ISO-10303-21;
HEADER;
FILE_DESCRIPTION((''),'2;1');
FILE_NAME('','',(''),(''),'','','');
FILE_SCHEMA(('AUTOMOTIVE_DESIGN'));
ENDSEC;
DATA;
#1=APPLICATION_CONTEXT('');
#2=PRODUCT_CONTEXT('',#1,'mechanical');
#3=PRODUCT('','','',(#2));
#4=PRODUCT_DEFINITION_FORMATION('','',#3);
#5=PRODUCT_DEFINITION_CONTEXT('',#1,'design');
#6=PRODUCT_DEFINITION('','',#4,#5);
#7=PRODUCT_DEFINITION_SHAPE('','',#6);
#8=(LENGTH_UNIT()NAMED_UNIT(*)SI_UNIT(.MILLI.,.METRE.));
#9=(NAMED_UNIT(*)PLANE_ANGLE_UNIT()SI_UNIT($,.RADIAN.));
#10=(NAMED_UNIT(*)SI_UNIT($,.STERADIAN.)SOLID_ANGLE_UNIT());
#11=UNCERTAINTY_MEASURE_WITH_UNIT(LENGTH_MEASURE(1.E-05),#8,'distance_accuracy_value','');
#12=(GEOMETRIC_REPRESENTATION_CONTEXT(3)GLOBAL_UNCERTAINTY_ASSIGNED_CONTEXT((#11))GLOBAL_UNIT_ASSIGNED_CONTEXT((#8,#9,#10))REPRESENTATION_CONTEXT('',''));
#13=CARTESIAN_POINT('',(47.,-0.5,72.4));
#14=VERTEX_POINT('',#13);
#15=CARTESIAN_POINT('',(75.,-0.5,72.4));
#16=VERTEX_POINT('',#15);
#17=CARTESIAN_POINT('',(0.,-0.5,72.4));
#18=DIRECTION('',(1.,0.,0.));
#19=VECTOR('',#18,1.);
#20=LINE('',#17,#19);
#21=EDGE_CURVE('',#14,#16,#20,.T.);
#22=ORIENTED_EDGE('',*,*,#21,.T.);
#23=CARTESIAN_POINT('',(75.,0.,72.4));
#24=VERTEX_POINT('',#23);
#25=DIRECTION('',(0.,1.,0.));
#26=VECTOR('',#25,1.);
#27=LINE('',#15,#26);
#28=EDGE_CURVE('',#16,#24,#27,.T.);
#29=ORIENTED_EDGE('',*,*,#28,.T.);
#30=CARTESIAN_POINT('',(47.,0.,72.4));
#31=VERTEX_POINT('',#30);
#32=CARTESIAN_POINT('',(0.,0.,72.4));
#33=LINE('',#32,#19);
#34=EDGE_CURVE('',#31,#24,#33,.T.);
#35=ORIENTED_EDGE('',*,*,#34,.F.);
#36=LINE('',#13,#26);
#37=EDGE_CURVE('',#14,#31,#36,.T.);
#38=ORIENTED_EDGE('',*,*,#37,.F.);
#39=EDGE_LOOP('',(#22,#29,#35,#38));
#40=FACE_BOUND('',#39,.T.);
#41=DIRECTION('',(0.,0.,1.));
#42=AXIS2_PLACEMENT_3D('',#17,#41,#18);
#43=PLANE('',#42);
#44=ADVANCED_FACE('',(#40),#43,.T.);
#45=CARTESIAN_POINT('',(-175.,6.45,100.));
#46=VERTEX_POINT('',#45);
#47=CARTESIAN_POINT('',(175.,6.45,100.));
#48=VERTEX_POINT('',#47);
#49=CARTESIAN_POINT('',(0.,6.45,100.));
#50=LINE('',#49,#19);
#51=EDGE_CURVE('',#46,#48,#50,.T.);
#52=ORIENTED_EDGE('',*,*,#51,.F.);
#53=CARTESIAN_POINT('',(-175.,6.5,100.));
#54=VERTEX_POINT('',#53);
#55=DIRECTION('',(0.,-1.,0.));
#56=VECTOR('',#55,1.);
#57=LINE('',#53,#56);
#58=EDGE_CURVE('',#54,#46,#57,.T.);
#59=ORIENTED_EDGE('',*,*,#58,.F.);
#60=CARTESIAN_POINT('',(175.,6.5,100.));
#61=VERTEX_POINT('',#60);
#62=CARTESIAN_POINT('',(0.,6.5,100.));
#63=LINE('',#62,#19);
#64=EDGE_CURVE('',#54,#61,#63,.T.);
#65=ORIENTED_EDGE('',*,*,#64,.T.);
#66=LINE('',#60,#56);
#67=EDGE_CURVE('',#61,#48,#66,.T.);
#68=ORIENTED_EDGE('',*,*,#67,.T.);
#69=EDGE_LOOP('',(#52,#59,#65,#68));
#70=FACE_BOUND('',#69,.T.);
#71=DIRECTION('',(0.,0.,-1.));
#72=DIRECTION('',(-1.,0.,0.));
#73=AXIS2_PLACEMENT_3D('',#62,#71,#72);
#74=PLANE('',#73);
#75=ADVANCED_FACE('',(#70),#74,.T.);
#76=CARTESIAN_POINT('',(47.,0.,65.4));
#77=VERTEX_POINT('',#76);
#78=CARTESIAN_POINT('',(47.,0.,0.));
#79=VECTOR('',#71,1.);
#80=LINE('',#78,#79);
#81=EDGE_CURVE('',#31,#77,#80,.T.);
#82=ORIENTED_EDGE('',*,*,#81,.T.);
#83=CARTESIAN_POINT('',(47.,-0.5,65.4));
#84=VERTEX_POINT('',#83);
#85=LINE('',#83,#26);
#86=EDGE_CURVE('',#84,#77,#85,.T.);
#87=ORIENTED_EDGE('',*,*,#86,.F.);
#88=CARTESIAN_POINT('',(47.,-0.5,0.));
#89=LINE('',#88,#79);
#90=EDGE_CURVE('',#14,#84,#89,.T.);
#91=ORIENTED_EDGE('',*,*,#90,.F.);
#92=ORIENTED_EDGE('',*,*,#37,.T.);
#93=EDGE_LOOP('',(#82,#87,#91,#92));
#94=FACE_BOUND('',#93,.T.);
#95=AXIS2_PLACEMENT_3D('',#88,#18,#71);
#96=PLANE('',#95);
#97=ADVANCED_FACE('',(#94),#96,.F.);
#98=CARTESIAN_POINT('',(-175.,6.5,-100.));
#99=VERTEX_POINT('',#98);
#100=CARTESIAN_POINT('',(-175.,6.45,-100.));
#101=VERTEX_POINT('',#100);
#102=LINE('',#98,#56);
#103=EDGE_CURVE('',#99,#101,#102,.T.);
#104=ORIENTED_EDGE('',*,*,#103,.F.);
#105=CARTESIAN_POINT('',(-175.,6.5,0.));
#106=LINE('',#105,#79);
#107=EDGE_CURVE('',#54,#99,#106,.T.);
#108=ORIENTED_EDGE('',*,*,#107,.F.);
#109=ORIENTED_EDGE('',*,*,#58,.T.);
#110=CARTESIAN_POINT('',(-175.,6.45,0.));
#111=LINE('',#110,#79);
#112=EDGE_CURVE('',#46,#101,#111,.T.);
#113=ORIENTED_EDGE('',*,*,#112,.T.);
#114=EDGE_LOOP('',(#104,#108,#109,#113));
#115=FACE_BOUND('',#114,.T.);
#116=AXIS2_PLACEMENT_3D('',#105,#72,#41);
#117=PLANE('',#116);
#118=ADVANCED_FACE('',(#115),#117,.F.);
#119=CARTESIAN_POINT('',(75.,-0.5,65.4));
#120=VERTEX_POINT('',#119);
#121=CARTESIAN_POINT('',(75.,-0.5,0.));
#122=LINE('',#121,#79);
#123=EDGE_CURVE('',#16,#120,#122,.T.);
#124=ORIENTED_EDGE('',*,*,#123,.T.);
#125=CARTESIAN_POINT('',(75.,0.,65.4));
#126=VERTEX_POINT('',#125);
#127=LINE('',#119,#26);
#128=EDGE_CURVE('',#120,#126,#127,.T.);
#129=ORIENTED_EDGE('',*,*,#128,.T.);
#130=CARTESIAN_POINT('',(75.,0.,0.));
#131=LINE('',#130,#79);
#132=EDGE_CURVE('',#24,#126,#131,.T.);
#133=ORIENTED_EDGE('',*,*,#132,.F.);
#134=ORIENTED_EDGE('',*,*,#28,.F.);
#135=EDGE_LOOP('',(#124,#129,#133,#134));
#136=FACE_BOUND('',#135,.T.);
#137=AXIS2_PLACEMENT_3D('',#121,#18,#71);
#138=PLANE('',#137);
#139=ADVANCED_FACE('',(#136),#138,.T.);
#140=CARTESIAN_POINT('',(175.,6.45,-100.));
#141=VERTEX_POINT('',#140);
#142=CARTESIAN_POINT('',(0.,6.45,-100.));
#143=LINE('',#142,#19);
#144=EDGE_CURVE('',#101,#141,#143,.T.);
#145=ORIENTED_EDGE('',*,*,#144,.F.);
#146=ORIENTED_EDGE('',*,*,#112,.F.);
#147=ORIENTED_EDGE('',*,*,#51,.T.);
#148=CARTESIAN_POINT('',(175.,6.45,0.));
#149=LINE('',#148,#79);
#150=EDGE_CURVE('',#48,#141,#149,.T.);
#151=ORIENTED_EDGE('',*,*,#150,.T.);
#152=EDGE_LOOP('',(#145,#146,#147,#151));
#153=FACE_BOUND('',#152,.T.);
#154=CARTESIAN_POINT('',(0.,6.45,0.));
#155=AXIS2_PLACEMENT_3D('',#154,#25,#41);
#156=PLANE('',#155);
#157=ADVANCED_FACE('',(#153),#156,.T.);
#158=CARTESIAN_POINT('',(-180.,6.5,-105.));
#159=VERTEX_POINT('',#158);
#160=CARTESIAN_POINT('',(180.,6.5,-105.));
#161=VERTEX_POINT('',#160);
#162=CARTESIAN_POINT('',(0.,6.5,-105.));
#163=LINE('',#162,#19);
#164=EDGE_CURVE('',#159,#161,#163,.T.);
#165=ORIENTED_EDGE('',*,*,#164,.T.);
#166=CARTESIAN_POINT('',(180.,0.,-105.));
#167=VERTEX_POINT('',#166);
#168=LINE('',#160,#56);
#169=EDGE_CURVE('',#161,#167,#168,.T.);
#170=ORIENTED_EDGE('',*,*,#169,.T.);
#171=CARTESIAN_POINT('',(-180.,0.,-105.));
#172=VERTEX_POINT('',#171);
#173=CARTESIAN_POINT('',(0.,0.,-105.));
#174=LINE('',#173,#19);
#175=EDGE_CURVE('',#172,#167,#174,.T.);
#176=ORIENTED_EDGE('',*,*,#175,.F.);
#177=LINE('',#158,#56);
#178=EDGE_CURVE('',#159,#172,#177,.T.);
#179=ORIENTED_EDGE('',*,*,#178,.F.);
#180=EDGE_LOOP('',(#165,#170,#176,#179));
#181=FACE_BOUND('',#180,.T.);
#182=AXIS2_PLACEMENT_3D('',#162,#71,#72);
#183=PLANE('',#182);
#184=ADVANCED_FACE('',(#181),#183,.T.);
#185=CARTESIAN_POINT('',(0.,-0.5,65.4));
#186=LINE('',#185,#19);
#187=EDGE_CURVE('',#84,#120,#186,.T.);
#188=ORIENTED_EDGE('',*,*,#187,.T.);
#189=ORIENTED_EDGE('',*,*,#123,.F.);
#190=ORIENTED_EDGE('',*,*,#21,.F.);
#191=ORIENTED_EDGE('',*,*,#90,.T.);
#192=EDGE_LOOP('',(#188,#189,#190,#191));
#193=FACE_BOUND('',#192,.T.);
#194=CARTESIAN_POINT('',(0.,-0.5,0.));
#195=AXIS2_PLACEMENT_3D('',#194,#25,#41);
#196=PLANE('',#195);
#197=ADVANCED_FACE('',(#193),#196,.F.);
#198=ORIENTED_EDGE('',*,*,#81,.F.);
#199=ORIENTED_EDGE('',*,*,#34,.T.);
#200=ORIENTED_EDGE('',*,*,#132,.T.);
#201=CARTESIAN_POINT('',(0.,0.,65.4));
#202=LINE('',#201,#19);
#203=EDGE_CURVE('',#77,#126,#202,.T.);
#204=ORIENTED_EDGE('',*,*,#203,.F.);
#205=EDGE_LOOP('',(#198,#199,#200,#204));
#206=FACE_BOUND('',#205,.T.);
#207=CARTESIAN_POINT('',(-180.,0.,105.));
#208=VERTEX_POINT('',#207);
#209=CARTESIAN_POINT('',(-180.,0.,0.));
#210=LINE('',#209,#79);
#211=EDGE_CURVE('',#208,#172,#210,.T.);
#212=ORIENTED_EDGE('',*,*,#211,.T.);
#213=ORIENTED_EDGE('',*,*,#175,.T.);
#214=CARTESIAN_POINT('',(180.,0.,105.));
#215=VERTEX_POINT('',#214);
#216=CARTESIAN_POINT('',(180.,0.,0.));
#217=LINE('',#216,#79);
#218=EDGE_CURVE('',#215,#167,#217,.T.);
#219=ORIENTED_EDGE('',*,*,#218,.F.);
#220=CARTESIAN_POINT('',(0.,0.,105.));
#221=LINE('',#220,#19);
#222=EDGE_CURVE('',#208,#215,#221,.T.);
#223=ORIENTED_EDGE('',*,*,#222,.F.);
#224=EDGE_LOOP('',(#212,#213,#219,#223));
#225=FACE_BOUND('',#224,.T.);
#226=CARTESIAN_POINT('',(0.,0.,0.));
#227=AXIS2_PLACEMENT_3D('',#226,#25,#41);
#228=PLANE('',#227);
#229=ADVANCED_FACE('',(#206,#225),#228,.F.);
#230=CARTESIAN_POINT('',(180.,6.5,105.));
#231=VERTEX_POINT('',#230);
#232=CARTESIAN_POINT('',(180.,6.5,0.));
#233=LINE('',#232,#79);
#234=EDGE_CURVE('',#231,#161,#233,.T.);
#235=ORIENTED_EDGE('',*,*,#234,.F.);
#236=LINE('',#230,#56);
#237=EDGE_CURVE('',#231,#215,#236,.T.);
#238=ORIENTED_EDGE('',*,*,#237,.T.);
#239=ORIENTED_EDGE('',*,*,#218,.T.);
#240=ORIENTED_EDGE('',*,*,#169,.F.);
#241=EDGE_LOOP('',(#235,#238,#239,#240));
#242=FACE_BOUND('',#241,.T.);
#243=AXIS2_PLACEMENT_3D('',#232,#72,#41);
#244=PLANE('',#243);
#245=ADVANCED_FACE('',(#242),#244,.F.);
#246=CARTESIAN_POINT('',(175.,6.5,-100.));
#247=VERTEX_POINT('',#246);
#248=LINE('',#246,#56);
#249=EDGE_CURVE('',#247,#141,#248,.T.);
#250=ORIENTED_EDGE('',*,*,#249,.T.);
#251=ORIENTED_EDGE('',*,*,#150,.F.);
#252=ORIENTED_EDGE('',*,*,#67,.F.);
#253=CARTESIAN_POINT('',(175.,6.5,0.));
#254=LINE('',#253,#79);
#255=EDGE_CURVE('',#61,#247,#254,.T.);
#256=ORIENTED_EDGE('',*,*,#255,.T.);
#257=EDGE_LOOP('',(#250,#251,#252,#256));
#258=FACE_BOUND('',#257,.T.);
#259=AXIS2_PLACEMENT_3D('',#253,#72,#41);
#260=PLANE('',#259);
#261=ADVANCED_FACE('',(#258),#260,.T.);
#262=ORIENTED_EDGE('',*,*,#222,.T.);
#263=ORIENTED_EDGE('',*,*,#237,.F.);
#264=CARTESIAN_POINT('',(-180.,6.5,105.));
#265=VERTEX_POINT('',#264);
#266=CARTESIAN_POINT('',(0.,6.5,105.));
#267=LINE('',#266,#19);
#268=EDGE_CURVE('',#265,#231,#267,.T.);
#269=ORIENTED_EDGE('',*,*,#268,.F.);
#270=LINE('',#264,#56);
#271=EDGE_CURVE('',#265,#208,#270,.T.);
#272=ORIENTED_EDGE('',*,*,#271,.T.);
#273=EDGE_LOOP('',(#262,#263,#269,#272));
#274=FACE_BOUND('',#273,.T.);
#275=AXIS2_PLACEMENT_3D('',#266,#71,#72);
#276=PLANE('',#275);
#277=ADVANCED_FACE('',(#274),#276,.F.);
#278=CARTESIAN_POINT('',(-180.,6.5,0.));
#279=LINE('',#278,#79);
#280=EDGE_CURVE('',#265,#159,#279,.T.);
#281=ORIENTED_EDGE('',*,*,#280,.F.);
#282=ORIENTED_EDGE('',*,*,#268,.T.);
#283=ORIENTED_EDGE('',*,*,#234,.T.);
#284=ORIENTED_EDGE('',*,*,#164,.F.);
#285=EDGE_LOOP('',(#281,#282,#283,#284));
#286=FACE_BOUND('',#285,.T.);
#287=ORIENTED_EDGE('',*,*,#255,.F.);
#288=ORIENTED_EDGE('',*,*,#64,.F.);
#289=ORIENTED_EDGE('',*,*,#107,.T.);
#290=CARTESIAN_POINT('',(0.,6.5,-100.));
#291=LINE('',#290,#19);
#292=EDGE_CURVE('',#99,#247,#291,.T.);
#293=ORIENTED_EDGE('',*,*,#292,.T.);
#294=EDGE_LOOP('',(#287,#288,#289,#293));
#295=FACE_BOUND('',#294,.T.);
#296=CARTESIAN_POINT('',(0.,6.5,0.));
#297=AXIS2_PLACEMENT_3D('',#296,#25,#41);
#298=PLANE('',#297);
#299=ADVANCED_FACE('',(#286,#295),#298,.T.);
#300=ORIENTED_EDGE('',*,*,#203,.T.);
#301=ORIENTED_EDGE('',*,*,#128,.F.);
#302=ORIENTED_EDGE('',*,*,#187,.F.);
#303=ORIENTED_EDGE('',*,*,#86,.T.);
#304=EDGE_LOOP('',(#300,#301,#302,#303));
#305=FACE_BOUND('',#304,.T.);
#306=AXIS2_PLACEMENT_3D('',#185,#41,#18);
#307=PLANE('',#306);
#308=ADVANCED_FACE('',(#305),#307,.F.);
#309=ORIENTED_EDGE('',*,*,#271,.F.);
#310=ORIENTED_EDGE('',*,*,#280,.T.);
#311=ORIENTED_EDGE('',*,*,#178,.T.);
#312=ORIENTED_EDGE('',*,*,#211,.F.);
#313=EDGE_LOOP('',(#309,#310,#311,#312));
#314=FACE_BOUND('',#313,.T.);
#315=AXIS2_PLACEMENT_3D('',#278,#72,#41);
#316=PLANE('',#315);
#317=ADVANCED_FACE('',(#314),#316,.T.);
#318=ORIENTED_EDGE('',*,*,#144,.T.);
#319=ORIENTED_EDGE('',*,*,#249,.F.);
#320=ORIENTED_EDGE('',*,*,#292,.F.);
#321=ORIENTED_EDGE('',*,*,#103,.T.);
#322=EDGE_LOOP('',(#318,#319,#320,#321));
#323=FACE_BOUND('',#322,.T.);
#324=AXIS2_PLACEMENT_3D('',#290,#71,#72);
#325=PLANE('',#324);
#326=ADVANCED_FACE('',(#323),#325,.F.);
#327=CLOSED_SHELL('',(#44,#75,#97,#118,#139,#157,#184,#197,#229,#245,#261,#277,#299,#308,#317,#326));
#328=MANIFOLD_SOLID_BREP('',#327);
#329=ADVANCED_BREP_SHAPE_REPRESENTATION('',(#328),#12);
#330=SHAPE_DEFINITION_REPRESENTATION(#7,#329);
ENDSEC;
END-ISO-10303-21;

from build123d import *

# Parameters (mm, degrees)
SKETCH1_W           = 350
SKETCH1_H           = 200
BOSS_EXTRUDE3_DEPTH = 6.45
SKETCH1_4_W         = 360
SKETCH1_4_H         = 210
SKETCH1_4_W_2       = 350
SKETCH1_4_H_2       = 200
BOSS_EXTRUDE4_DEPTH = 6.5
SKETCH1_5_W         = 28
SKETCH1_5_H         = 7
BOSS_EXTRUDE5_DEPTH = 0.5


with BuildPart() as part:
    # Sketch1 → Boss-Extrude3 (new body)
    with BuildSketch(Plane(origin=(0, 0, 0), x_dir=(1, 0, 0), z_dir=(0, 1, 0))):
        Rectangle(SKETCH1_W, SKETCH1_H)
    extrude(amount=BOSS_EXTRUDE3_DEPTH)

    # Sketch1<4> → Boss-Extrude4 (add)
    with BuildSketch(Plane(origin=(0, 0, 0), x_dir=(1, 0, 0), z_dir=(0, 1, 0))):
        Rectangle(SKETCH1_4_W, SKETCH1_4_H)
        Rectangle(SKETCH1_4_W_2, SKETCH1_4_H_2, mode=Mode.SUBTRACT)
    extrude(amount=BOSS_EXTRUDE4_DEPTH)

    # Sketch1<5> → Boss-Extrude5 (add)
    with BuildSketch(Plane(origin=(0, 0, 0), x_dir=(1, 0, 0), z_dir=(0, 1, 0))):
        with Locations((61, -68.9)):
            Rectangle(SKETCH1_5_W, SKETCH1_5_H)
    extrude(amount=-BOSS_EXTRUDE5_DEPTH)


solid = part.part
